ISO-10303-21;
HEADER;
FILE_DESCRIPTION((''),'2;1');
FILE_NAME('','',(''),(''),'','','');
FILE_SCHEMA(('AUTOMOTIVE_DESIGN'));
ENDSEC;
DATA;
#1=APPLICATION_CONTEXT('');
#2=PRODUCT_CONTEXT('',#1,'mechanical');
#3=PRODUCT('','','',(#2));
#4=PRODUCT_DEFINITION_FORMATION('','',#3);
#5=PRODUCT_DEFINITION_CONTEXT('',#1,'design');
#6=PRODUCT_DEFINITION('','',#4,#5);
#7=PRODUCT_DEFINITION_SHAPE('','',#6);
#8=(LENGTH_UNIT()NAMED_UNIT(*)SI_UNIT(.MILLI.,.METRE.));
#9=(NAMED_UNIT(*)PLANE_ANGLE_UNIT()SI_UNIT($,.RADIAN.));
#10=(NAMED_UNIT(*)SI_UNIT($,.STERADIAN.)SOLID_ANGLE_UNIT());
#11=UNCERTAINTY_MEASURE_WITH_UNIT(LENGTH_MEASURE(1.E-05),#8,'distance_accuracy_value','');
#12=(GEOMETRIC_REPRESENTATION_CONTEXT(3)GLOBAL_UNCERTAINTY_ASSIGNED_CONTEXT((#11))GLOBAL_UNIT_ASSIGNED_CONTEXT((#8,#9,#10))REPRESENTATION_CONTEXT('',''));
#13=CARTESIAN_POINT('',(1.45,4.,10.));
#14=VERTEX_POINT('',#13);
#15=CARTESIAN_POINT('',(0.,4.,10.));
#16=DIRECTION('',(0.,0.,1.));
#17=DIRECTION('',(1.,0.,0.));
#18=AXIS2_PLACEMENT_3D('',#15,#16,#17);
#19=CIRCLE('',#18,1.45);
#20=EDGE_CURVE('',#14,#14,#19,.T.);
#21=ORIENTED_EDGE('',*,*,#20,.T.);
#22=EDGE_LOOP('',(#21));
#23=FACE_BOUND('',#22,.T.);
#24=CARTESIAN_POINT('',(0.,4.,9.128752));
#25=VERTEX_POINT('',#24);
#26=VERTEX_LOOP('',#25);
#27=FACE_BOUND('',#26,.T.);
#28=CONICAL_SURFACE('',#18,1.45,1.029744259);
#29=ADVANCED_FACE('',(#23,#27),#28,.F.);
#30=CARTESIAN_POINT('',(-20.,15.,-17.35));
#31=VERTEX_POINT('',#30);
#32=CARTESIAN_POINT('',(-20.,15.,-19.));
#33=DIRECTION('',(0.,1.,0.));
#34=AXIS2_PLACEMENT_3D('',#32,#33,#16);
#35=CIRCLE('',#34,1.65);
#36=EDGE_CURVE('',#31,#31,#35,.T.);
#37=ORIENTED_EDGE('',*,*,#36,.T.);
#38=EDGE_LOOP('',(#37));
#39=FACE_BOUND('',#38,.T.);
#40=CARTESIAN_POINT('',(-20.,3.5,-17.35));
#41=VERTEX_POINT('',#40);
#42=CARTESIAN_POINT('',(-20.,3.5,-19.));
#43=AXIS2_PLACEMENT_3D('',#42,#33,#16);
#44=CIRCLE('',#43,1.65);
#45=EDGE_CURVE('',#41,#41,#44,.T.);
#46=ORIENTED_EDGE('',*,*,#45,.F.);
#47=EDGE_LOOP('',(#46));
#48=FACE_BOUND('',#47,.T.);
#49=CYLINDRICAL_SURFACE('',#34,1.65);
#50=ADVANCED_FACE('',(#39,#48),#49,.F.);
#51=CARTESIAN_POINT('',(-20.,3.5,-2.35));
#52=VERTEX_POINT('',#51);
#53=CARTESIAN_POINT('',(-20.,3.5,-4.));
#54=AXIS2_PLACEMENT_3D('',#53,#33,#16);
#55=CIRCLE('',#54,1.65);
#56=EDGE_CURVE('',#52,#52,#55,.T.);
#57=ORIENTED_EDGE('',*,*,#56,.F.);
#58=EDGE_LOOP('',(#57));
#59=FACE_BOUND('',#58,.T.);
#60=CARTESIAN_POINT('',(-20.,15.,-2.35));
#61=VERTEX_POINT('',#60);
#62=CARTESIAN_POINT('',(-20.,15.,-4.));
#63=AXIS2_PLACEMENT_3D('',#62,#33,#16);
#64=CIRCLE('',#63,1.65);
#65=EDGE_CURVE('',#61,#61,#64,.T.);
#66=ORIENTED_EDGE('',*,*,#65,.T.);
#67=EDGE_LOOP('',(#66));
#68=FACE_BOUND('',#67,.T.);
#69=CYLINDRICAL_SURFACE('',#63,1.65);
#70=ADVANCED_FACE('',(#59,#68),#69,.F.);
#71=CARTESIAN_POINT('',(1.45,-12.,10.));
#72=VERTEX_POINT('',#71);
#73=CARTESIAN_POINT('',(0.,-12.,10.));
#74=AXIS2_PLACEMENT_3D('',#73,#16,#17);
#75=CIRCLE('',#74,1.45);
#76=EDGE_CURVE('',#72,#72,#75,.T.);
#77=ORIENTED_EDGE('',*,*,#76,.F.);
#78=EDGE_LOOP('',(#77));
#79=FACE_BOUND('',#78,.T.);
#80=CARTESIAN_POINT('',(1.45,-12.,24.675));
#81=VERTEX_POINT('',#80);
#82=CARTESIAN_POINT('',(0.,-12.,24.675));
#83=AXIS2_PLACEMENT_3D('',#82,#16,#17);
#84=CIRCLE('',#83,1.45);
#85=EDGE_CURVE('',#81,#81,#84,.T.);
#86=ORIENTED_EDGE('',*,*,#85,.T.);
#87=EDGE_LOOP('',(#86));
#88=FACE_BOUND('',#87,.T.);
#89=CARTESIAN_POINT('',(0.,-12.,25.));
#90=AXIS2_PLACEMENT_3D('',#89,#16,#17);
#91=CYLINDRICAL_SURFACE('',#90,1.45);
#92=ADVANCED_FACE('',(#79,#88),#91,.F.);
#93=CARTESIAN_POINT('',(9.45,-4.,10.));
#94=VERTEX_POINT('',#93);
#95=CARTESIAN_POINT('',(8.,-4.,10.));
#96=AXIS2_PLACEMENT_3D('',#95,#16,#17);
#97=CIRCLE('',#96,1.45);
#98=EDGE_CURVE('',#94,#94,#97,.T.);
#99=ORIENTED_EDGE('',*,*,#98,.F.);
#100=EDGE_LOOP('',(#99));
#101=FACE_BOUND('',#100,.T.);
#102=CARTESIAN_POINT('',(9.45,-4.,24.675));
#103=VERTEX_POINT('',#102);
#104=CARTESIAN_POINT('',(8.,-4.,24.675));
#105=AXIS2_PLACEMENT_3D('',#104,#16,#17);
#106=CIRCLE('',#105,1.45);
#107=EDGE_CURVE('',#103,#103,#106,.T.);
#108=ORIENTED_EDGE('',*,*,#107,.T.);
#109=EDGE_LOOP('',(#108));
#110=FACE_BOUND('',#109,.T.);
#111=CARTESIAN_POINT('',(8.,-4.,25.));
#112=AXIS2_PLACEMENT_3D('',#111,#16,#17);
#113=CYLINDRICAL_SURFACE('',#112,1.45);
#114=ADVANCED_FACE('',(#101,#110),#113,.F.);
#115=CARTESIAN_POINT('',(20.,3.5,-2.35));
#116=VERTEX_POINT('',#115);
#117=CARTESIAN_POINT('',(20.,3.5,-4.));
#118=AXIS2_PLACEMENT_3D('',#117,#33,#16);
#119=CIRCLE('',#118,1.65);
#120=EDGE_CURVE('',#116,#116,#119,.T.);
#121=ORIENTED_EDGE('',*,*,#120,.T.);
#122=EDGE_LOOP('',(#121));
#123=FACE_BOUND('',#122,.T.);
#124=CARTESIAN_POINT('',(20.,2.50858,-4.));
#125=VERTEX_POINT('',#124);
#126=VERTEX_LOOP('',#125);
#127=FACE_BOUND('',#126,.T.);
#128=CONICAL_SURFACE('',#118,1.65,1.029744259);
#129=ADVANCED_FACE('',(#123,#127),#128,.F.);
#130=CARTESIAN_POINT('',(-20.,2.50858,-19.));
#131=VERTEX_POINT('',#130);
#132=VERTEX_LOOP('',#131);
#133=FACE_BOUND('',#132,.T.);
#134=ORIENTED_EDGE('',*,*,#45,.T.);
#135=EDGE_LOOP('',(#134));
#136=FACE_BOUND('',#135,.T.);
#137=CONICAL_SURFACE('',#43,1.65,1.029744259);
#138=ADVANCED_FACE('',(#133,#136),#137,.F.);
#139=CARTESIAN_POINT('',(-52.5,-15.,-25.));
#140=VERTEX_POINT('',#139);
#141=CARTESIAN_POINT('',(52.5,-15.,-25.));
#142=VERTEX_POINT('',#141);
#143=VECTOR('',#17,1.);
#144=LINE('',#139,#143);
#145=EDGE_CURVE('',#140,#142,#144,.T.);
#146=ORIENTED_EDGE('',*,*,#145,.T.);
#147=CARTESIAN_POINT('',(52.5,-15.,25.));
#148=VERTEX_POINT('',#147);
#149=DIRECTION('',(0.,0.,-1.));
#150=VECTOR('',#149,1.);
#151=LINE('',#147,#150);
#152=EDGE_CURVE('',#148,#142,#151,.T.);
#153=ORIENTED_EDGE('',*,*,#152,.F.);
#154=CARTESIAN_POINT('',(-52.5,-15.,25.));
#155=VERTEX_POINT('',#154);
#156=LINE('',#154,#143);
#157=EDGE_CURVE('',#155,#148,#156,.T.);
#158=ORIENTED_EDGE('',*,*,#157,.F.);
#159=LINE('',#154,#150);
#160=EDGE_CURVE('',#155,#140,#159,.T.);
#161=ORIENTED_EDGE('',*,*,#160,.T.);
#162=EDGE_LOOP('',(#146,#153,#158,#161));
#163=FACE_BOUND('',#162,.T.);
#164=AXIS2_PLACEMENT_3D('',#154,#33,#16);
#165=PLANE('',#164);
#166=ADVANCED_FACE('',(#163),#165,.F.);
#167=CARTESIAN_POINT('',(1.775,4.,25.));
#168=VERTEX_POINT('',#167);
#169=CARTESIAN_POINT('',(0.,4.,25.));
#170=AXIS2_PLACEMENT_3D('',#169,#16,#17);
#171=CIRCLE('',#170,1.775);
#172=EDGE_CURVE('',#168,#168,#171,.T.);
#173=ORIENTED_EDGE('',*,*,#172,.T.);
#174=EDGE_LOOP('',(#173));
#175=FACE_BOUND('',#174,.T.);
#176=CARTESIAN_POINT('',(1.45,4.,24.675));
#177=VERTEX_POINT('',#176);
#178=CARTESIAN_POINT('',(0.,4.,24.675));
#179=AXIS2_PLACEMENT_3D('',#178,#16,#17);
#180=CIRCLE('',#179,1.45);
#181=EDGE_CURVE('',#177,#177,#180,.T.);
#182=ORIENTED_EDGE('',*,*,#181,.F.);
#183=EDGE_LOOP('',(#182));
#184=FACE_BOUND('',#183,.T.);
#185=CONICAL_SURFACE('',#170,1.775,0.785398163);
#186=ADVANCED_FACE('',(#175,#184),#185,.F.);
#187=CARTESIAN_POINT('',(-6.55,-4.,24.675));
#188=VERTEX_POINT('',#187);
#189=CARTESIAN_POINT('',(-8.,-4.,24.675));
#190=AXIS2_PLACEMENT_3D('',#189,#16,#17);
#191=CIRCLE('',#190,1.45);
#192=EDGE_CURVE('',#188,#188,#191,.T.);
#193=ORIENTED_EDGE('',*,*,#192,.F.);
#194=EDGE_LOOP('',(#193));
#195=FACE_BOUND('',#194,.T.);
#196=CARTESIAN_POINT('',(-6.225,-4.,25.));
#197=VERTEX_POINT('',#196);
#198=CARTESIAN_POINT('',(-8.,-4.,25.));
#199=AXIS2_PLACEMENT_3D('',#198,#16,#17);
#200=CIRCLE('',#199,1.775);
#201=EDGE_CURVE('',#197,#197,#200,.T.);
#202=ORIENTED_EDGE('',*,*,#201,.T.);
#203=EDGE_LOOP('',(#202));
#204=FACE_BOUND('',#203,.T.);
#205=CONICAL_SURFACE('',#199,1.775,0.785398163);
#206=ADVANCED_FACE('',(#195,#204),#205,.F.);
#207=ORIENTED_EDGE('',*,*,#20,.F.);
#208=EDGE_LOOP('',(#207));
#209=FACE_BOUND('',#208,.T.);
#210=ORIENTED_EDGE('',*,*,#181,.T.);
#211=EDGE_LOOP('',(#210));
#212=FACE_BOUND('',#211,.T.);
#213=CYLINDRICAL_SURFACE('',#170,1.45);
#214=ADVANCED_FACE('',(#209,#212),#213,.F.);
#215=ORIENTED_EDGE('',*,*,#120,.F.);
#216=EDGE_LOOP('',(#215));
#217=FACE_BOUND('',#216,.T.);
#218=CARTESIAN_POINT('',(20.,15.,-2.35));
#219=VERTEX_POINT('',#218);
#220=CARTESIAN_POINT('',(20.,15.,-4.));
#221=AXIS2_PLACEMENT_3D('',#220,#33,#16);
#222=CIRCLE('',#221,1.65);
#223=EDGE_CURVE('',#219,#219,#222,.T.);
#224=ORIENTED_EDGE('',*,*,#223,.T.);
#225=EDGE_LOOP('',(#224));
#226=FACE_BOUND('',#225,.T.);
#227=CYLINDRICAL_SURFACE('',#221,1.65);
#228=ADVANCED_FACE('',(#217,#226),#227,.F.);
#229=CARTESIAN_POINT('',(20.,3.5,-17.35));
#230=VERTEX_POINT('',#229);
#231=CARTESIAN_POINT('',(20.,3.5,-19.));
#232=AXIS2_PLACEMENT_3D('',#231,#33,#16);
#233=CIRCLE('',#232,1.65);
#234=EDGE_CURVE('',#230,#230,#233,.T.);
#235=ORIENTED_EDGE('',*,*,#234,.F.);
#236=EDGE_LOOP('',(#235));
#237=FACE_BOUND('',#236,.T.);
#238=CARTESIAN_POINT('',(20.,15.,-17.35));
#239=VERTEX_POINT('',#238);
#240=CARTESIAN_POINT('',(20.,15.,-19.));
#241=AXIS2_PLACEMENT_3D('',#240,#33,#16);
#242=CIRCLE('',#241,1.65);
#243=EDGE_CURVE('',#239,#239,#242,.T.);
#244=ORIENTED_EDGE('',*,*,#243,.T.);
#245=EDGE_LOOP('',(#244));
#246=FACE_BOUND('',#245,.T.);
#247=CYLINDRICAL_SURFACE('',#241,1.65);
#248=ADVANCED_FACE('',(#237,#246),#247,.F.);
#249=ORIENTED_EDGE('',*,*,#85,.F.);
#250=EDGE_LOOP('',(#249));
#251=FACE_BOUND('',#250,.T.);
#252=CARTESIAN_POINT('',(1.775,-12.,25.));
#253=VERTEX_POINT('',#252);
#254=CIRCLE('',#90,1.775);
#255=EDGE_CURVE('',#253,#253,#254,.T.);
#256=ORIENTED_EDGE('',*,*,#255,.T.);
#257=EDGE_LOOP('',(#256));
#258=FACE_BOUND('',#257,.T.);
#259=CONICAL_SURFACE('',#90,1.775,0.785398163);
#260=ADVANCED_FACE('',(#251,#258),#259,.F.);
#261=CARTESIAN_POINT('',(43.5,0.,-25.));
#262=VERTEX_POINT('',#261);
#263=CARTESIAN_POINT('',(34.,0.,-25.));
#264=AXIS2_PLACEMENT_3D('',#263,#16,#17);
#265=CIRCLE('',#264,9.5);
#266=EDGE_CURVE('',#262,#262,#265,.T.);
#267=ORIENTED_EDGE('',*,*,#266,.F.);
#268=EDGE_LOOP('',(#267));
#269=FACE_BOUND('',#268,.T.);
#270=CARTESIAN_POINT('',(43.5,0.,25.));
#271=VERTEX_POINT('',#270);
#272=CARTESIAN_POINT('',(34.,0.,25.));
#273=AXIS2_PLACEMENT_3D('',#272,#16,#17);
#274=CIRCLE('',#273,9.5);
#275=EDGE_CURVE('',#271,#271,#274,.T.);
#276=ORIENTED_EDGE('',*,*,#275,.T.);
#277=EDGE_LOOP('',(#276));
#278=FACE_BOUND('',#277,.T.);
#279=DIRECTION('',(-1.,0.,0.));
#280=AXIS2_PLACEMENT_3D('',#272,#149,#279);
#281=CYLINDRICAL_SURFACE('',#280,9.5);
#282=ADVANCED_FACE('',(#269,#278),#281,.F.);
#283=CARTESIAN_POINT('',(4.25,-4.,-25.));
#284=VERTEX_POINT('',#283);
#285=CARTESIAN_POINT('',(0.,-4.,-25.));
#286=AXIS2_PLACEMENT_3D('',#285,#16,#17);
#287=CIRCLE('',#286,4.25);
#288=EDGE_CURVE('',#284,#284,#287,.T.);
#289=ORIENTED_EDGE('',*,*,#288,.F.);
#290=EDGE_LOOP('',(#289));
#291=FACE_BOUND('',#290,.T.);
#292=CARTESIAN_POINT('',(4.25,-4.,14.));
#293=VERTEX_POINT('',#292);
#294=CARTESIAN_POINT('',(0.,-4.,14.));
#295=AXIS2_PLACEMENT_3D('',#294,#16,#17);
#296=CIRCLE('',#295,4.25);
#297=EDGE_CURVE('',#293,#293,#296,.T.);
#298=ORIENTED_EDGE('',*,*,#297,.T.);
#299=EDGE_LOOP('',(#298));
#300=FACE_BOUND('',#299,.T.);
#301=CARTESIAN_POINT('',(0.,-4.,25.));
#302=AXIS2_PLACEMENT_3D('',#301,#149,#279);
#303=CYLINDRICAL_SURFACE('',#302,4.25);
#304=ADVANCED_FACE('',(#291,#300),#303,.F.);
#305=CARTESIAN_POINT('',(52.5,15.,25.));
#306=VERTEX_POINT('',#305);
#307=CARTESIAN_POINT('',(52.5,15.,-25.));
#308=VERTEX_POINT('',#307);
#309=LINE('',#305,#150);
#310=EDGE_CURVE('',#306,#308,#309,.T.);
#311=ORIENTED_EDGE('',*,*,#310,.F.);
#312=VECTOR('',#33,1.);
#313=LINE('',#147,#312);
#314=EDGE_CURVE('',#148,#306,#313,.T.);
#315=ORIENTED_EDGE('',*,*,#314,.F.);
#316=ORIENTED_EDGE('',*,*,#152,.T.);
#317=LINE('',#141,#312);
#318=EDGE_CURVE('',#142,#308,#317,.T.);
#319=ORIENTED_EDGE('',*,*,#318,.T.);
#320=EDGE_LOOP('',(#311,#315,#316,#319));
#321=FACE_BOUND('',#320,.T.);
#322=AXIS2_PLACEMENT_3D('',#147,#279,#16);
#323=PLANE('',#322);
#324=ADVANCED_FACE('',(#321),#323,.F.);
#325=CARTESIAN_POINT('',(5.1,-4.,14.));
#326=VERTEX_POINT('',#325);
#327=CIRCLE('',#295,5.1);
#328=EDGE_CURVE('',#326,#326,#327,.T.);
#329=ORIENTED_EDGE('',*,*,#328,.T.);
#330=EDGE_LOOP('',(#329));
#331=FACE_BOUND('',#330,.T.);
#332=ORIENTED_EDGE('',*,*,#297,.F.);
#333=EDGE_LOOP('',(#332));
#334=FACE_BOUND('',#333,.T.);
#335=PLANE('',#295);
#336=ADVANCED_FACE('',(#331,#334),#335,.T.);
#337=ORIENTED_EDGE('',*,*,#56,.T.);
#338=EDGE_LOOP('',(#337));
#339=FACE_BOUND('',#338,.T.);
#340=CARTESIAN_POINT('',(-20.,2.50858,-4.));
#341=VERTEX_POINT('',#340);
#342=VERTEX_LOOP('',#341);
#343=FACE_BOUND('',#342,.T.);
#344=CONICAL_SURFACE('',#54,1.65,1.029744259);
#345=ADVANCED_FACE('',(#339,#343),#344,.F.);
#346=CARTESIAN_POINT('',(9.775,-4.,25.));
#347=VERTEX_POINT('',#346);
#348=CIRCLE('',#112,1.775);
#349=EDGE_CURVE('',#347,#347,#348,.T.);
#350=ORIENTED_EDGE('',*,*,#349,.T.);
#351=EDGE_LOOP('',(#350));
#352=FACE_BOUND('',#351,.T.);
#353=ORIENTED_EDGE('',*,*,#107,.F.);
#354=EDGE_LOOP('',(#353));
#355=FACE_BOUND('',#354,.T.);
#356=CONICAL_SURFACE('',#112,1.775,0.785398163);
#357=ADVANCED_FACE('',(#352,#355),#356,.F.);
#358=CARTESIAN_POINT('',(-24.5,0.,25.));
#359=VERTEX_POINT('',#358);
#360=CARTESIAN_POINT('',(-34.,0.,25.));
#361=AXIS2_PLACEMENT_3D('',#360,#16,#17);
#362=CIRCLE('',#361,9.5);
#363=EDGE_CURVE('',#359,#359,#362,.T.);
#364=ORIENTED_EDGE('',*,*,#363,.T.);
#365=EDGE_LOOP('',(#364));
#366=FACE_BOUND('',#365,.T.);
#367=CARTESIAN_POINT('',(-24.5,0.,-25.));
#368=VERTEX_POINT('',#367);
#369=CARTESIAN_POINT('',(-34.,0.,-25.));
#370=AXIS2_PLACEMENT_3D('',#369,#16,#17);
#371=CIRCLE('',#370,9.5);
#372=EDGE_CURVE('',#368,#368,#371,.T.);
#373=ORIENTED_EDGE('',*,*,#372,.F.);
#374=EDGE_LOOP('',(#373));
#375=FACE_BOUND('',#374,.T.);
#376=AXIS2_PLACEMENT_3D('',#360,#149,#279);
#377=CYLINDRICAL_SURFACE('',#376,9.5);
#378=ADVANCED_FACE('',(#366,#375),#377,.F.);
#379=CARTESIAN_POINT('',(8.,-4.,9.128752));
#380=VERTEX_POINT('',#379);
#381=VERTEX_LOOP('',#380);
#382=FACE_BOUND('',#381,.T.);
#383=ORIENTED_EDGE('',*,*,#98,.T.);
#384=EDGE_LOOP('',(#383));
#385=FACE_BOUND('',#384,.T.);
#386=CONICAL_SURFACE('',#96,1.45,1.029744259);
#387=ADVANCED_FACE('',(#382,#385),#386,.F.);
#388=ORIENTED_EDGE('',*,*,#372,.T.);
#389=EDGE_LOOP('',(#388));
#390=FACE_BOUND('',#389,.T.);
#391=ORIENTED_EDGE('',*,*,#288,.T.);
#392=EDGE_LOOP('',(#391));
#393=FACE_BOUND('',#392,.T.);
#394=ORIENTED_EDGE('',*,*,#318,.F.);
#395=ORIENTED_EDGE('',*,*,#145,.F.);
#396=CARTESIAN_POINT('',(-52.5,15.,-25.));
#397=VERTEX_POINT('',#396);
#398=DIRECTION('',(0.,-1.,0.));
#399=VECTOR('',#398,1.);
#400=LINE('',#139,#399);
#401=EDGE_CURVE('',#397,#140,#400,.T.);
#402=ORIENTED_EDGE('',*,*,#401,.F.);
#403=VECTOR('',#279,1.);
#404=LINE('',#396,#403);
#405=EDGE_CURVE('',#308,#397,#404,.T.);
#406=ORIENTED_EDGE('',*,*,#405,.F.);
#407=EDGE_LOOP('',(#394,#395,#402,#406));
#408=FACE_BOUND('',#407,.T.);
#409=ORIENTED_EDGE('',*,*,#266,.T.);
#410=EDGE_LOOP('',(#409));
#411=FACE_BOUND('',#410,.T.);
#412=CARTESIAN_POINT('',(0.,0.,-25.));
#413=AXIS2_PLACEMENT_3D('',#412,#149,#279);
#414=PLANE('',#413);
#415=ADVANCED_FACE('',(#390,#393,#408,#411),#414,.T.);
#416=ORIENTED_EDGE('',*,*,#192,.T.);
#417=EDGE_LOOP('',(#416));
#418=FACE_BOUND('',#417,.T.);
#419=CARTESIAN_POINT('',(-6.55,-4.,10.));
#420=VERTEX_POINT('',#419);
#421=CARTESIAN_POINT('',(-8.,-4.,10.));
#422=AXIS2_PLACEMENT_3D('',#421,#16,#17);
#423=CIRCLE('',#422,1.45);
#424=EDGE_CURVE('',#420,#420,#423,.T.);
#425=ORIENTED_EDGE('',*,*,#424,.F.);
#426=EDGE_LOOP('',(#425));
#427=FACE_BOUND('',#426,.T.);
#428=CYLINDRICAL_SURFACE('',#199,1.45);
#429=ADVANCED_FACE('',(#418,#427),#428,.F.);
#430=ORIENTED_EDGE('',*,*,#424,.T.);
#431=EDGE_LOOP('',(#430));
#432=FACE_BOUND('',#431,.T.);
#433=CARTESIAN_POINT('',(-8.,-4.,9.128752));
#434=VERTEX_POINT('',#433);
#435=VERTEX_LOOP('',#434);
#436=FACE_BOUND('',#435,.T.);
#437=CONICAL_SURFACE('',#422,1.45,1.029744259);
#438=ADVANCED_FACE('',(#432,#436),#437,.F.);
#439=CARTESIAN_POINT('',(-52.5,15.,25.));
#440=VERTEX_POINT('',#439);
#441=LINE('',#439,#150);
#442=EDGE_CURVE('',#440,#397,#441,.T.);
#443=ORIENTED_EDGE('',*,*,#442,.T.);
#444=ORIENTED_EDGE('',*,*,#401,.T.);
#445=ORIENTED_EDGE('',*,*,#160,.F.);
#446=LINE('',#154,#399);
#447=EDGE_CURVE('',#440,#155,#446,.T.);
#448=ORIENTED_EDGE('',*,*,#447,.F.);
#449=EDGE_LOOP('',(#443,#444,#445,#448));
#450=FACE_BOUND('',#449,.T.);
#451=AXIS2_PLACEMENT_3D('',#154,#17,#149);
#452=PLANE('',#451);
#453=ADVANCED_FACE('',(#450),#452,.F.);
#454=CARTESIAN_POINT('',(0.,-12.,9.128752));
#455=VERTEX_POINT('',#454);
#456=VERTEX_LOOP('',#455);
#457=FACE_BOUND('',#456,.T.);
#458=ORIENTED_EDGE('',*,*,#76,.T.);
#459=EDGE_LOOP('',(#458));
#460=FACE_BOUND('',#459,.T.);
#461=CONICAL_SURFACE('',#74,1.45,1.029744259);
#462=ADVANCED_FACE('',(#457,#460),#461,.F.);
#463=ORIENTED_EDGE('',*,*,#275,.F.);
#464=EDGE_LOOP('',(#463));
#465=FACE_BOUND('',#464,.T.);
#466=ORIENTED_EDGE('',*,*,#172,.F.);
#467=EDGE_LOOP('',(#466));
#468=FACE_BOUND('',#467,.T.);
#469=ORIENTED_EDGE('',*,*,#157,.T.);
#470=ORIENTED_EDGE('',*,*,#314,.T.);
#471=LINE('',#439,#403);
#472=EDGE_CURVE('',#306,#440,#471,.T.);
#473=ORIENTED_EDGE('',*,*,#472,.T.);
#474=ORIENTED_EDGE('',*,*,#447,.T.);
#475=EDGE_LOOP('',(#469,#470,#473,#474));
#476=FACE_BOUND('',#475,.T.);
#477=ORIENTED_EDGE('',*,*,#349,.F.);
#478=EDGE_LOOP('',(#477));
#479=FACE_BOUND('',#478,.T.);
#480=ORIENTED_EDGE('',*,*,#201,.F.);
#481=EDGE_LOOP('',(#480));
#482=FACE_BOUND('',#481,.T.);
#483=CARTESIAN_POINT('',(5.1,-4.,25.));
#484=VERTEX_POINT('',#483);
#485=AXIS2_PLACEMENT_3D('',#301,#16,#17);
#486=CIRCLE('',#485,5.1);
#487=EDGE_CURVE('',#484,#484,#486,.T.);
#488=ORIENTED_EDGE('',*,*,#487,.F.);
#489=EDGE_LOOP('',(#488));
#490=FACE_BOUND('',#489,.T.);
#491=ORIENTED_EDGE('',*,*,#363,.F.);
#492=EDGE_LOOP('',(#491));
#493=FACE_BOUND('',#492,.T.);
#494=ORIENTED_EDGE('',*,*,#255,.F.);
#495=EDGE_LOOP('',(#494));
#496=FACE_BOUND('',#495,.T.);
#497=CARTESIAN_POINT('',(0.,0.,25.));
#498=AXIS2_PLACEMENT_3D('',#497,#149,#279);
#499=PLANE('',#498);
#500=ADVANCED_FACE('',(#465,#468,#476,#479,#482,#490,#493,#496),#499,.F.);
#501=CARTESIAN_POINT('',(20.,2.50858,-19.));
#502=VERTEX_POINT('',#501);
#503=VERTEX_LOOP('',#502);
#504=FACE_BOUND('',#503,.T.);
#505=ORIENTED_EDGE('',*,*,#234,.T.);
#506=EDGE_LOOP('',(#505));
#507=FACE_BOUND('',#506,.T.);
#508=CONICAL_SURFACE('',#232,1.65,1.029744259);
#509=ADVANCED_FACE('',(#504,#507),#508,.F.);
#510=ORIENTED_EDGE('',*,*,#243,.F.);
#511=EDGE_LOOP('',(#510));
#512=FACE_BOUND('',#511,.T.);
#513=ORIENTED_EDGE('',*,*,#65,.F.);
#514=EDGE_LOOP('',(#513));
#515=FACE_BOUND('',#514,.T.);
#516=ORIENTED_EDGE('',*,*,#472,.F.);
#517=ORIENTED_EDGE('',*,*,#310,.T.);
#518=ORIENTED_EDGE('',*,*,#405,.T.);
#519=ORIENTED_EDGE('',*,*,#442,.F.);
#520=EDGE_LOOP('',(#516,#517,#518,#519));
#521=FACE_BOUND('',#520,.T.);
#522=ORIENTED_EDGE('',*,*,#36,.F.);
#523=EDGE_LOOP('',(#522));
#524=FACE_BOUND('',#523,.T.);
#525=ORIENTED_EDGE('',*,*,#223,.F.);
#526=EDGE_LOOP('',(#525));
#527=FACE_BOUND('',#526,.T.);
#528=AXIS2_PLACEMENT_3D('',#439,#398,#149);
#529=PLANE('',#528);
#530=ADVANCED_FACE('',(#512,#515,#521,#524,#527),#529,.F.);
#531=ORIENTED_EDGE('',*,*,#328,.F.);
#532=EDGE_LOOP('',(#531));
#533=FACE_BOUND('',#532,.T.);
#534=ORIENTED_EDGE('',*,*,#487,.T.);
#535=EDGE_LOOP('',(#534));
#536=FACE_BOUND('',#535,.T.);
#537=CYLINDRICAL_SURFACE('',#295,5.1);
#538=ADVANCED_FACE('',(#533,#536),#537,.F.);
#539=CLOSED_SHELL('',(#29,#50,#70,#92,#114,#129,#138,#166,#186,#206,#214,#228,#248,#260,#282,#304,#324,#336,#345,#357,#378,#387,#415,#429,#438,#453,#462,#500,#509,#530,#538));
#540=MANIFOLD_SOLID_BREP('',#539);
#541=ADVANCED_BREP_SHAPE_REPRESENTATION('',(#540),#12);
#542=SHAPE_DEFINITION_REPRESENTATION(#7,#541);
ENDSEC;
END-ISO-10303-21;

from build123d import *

# Parameters (mm, degrees)
ESBO_O1_W                             = 105
ESBO_O1_H                             = 30
ESBO_O1_R                             = 9.5
ESBO_O1_R_2                           = 4.25
RESSALTO_EXTRUS_O1_DEPTH              = 25
M4X0_7_TAPPED_HOLE1_D                 = 3.3
M4X0_7_TAPPED_HOLE1_DEPTH             = 11.5
M4X0_7_TAPPED_HOLE1_TIP               = 0.991420021
ESBO_O4_R                             = 5.1
CORTE_EXTRUS_O1_DEPTH                 = 11
FURO_ROSCADO_DE_M3_5X0_62_D           = 2.9
FURO_ROSCADO_DE_M3_5X0_62_DEPTH       = 15
FURO_ROSCADO_DE_M3_5X0_62_CSINK_D     = 3.55
FURO_ROSCADO_DE_M3_5X0_62_CSINK_ANGLE = 90
FURO_ROSCADO_DE_M3_5X0_62_TIP         = 0.871247898


with BuildPart() as part:
    # Esboço1 → Ressalto-extrusão1 (new, symmetric)
    with BuildSketch(Plane.XY):
        Rectangle(ESBO_O1_W, ESBO_O1_H)
        with Locations((-34, 0)):
            Circle(ESBO_O1_R, mode=Mode.SUBTRACT)
        with Locations((34, 0)):
            Circle(ESBO_O1_R, mode=Mode.SUBTRACT)
        with Locations((0, -4)):
            Circle(ESBO_O1_R_2, mode=Mode.SUBTRACT)
    extrude(amount=RESSALTO_EXTRUS_O1_DEPTH, both=True)

    # M4x0.7 Tapped Hole1
    with Locations(Plane(origin=(0, 15, 0), x_dir=(1, 0, 0), z_dir=(0, 1, 0))):
        with Locations((20, 19), (20, 4), (-20, 4), (-20, 19)):
            Hole(M4X0_7_TAPPED_HOLE1_D / 2, depth=M4X0_7_TAPPED_HOLE1_DEPTH)
            with Locations((0, 0, -(M4X0_7_TAPPED_HOLE1_DEPTH + M4X0_7_TAPPED_HOLE1_TIP / 2))):  # 118° drill point
                Cone(0, M4X0_7_TAPPED_HOLE1_D / 2, M4X0_7_TAPPED_HOLE1_TIP, mode=Mode.SUBTRACT)

    # Esboço4 → Corte-extrusão1 (cut)
    with BuildSketch(Plane.XY.offset(25)):
        with Locations((0, -4)):
            Circle(ESBO_O4_R)
    extrude(amount=-CORTE_EXTRUS_O1_DEPTH, mode=Mode.SUBTRACT)

    # Furo roscado de M3.5x0.62
    with Locations(Plane.XY.offset(25)):
        with Locations((-8, -4), (0, 4), (8, -4), (0, -12)):
            CounterSinkHole(FURO_ROSCADO_DE_M3_5X0_62_D / 2, FURO_ROSCADO_DE_M3_5X0_62_CSINK_D / 2, depth=FURO_ROSCADO_DE_M3_5X0_62_DEPTH, counter_sink_angle=FURO_ROSCADO_DE_M3_5X0_62_CSINK_ANGLE)
            with Locations((0, 0, -(FURO_ROSCADO_DE_M3_5X0_62_DEPTH + FURO_ROSCADO_DE_M3_5X0_62_TIP / 2))):  # 118° drill point
                Cone(0, FURO_ROSCADO_DE_M3_5X0_62_D / 2, FURO_ROSCADO_DE_M3_5X0_62_TIP, mode=Mode.SUBTRACT)


solid = part.part
